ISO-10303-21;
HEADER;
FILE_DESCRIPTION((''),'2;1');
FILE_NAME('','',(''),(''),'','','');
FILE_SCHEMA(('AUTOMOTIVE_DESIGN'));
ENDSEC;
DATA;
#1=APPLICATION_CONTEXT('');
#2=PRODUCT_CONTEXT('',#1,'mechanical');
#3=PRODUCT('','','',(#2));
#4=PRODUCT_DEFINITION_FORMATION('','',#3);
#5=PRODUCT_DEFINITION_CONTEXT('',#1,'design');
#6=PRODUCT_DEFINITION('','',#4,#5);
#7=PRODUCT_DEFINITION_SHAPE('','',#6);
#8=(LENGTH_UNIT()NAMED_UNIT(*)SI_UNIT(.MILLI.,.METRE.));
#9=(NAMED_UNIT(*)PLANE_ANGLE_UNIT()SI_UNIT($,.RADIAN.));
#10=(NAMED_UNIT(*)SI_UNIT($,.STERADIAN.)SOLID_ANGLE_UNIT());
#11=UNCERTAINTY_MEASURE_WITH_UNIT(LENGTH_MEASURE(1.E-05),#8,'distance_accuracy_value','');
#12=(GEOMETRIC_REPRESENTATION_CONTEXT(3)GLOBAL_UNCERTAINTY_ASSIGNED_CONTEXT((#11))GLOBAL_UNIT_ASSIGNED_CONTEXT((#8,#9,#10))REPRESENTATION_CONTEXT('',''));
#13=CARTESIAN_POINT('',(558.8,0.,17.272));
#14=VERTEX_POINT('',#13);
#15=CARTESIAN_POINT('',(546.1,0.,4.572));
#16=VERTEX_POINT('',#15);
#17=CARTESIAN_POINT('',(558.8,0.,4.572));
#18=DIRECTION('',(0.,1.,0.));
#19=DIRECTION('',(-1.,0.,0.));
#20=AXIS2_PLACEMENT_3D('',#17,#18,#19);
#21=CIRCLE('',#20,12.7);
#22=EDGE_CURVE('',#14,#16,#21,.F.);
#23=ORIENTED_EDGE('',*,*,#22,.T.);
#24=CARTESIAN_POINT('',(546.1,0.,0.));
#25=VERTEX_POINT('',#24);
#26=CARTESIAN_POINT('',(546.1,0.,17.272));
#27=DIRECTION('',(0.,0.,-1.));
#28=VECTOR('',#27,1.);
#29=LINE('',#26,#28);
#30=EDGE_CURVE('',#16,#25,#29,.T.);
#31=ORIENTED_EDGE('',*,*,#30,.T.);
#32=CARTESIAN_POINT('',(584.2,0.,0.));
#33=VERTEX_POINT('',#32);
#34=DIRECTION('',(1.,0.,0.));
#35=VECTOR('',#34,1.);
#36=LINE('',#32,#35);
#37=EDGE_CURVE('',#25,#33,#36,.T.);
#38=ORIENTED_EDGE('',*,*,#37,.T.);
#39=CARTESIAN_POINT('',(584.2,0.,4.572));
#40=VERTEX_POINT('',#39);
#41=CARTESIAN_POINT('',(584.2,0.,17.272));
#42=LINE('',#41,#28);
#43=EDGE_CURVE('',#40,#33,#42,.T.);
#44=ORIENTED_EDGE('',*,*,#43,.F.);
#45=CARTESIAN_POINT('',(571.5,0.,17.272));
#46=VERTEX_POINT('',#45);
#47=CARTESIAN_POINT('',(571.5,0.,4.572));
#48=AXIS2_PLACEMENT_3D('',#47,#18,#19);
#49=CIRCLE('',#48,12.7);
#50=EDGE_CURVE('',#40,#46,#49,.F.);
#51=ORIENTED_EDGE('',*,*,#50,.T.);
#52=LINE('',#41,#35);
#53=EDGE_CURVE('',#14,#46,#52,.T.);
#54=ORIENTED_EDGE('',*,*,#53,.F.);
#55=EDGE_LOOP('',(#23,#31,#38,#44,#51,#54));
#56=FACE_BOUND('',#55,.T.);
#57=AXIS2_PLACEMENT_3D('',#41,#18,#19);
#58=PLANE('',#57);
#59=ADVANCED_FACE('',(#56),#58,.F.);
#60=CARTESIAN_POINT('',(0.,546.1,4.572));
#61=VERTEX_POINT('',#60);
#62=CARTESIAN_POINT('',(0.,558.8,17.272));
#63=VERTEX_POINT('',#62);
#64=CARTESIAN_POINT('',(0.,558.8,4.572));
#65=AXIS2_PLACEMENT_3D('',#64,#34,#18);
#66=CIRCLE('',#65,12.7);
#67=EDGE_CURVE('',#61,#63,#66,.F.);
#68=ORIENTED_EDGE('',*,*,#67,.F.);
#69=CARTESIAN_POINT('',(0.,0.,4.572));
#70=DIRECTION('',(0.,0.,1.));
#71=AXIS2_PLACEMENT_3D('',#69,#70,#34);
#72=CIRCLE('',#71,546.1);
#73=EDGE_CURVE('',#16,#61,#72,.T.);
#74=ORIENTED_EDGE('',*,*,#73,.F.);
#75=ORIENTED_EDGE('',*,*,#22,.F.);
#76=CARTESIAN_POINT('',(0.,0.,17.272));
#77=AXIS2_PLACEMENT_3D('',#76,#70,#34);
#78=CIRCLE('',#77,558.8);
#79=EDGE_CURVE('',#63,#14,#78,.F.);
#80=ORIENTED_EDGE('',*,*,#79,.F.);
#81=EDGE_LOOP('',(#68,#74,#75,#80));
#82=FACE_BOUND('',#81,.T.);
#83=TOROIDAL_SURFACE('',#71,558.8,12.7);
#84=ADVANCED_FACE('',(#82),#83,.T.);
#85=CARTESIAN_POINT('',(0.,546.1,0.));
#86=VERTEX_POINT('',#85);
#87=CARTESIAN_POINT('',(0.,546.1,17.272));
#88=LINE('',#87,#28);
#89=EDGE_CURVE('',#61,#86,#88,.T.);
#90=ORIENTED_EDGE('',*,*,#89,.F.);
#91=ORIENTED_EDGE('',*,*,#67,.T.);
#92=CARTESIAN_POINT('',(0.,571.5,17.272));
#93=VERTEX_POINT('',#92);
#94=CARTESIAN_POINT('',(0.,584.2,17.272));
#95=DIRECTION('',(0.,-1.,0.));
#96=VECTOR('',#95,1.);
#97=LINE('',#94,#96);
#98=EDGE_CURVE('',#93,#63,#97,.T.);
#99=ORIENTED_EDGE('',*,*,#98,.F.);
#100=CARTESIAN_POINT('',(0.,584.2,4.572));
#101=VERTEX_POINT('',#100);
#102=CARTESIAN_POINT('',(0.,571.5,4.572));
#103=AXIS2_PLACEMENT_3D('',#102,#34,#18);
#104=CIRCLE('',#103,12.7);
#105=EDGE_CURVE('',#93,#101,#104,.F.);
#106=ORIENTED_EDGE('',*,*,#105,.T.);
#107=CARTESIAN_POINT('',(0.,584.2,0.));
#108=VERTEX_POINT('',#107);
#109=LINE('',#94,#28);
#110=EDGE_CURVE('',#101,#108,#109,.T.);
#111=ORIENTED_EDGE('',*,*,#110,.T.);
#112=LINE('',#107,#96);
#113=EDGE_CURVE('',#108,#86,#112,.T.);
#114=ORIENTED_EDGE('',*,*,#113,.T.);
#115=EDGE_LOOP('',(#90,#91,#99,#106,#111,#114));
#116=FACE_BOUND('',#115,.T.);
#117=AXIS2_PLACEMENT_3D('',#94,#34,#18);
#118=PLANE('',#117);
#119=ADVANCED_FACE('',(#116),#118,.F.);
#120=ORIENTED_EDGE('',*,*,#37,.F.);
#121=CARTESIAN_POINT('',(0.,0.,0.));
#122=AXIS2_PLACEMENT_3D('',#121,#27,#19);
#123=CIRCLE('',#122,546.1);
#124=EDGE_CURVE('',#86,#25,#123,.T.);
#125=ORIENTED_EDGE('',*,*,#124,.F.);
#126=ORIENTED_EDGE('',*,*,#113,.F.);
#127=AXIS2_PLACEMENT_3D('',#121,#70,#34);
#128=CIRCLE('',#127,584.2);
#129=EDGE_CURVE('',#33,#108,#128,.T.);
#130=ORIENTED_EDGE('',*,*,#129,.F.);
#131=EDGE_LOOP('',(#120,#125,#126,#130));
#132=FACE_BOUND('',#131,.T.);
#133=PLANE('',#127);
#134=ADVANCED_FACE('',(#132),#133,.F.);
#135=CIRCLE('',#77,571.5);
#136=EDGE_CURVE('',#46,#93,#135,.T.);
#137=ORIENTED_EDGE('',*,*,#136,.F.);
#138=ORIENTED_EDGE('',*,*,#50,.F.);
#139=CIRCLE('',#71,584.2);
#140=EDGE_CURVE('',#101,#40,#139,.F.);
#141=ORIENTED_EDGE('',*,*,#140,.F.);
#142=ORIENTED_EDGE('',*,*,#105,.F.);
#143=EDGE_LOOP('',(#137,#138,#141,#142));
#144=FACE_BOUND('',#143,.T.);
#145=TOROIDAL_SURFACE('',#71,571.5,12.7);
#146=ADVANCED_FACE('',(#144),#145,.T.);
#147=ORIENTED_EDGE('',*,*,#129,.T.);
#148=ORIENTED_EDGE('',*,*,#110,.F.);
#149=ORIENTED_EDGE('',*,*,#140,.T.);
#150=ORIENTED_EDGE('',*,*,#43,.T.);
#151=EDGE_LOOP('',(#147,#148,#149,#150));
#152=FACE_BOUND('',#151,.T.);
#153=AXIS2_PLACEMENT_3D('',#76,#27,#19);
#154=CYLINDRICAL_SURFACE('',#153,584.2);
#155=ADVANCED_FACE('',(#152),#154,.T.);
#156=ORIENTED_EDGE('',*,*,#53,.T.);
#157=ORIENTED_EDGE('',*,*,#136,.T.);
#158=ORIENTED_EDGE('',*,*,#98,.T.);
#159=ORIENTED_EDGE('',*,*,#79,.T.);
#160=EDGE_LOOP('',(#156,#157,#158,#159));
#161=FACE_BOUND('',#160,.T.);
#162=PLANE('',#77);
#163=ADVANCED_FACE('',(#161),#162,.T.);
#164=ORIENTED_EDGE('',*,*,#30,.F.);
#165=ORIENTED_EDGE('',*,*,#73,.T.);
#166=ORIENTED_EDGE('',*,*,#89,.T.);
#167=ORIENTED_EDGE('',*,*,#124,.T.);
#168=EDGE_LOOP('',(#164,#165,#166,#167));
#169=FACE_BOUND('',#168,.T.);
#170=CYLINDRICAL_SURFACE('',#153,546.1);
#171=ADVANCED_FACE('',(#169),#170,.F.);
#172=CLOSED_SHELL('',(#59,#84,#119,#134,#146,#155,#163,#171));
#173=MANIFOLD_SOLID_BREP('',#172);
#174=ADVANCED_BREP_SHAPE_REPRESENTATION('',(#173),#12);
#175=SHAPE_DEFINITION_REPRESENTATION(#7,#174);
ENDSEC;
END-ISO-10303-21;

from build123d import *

# Parameters (mm, degrees)
BOSS_EXTRUDE1_DEPTH = 17.272
FILLET2_R           = 12.7


with BuildPart() as part:
    # Sketch1 → Boss-Extrude1 (new body)
    with BuildSketch(Plane.XY):
        with BuildLine():
            Line((0, 584.2), (0, 546.1))
            ThreePointArc((0, 546.1), (386.151013206, 386.151013206), (546.1, 0))
            Line((546.1, 0), (584.2, 0))
            ThreePointArc((584.2, 0), (413.091781569, 413.091781569), (0, 584.2))
        make_face()
    extrude(amount=BOSS_EXTRUDE1_DEPTH)

    # Fillet2
    fillet2_edges = [part.edges().sort_by_distance(p)[0] for p in [
        (386.151013206, 386.151013206, 17.272),
        (413.091781569, 413.091781569, 17.272),
    ]]
    fillet(fillet2_edges, radius=FILLET2_R)


solid = part.part
